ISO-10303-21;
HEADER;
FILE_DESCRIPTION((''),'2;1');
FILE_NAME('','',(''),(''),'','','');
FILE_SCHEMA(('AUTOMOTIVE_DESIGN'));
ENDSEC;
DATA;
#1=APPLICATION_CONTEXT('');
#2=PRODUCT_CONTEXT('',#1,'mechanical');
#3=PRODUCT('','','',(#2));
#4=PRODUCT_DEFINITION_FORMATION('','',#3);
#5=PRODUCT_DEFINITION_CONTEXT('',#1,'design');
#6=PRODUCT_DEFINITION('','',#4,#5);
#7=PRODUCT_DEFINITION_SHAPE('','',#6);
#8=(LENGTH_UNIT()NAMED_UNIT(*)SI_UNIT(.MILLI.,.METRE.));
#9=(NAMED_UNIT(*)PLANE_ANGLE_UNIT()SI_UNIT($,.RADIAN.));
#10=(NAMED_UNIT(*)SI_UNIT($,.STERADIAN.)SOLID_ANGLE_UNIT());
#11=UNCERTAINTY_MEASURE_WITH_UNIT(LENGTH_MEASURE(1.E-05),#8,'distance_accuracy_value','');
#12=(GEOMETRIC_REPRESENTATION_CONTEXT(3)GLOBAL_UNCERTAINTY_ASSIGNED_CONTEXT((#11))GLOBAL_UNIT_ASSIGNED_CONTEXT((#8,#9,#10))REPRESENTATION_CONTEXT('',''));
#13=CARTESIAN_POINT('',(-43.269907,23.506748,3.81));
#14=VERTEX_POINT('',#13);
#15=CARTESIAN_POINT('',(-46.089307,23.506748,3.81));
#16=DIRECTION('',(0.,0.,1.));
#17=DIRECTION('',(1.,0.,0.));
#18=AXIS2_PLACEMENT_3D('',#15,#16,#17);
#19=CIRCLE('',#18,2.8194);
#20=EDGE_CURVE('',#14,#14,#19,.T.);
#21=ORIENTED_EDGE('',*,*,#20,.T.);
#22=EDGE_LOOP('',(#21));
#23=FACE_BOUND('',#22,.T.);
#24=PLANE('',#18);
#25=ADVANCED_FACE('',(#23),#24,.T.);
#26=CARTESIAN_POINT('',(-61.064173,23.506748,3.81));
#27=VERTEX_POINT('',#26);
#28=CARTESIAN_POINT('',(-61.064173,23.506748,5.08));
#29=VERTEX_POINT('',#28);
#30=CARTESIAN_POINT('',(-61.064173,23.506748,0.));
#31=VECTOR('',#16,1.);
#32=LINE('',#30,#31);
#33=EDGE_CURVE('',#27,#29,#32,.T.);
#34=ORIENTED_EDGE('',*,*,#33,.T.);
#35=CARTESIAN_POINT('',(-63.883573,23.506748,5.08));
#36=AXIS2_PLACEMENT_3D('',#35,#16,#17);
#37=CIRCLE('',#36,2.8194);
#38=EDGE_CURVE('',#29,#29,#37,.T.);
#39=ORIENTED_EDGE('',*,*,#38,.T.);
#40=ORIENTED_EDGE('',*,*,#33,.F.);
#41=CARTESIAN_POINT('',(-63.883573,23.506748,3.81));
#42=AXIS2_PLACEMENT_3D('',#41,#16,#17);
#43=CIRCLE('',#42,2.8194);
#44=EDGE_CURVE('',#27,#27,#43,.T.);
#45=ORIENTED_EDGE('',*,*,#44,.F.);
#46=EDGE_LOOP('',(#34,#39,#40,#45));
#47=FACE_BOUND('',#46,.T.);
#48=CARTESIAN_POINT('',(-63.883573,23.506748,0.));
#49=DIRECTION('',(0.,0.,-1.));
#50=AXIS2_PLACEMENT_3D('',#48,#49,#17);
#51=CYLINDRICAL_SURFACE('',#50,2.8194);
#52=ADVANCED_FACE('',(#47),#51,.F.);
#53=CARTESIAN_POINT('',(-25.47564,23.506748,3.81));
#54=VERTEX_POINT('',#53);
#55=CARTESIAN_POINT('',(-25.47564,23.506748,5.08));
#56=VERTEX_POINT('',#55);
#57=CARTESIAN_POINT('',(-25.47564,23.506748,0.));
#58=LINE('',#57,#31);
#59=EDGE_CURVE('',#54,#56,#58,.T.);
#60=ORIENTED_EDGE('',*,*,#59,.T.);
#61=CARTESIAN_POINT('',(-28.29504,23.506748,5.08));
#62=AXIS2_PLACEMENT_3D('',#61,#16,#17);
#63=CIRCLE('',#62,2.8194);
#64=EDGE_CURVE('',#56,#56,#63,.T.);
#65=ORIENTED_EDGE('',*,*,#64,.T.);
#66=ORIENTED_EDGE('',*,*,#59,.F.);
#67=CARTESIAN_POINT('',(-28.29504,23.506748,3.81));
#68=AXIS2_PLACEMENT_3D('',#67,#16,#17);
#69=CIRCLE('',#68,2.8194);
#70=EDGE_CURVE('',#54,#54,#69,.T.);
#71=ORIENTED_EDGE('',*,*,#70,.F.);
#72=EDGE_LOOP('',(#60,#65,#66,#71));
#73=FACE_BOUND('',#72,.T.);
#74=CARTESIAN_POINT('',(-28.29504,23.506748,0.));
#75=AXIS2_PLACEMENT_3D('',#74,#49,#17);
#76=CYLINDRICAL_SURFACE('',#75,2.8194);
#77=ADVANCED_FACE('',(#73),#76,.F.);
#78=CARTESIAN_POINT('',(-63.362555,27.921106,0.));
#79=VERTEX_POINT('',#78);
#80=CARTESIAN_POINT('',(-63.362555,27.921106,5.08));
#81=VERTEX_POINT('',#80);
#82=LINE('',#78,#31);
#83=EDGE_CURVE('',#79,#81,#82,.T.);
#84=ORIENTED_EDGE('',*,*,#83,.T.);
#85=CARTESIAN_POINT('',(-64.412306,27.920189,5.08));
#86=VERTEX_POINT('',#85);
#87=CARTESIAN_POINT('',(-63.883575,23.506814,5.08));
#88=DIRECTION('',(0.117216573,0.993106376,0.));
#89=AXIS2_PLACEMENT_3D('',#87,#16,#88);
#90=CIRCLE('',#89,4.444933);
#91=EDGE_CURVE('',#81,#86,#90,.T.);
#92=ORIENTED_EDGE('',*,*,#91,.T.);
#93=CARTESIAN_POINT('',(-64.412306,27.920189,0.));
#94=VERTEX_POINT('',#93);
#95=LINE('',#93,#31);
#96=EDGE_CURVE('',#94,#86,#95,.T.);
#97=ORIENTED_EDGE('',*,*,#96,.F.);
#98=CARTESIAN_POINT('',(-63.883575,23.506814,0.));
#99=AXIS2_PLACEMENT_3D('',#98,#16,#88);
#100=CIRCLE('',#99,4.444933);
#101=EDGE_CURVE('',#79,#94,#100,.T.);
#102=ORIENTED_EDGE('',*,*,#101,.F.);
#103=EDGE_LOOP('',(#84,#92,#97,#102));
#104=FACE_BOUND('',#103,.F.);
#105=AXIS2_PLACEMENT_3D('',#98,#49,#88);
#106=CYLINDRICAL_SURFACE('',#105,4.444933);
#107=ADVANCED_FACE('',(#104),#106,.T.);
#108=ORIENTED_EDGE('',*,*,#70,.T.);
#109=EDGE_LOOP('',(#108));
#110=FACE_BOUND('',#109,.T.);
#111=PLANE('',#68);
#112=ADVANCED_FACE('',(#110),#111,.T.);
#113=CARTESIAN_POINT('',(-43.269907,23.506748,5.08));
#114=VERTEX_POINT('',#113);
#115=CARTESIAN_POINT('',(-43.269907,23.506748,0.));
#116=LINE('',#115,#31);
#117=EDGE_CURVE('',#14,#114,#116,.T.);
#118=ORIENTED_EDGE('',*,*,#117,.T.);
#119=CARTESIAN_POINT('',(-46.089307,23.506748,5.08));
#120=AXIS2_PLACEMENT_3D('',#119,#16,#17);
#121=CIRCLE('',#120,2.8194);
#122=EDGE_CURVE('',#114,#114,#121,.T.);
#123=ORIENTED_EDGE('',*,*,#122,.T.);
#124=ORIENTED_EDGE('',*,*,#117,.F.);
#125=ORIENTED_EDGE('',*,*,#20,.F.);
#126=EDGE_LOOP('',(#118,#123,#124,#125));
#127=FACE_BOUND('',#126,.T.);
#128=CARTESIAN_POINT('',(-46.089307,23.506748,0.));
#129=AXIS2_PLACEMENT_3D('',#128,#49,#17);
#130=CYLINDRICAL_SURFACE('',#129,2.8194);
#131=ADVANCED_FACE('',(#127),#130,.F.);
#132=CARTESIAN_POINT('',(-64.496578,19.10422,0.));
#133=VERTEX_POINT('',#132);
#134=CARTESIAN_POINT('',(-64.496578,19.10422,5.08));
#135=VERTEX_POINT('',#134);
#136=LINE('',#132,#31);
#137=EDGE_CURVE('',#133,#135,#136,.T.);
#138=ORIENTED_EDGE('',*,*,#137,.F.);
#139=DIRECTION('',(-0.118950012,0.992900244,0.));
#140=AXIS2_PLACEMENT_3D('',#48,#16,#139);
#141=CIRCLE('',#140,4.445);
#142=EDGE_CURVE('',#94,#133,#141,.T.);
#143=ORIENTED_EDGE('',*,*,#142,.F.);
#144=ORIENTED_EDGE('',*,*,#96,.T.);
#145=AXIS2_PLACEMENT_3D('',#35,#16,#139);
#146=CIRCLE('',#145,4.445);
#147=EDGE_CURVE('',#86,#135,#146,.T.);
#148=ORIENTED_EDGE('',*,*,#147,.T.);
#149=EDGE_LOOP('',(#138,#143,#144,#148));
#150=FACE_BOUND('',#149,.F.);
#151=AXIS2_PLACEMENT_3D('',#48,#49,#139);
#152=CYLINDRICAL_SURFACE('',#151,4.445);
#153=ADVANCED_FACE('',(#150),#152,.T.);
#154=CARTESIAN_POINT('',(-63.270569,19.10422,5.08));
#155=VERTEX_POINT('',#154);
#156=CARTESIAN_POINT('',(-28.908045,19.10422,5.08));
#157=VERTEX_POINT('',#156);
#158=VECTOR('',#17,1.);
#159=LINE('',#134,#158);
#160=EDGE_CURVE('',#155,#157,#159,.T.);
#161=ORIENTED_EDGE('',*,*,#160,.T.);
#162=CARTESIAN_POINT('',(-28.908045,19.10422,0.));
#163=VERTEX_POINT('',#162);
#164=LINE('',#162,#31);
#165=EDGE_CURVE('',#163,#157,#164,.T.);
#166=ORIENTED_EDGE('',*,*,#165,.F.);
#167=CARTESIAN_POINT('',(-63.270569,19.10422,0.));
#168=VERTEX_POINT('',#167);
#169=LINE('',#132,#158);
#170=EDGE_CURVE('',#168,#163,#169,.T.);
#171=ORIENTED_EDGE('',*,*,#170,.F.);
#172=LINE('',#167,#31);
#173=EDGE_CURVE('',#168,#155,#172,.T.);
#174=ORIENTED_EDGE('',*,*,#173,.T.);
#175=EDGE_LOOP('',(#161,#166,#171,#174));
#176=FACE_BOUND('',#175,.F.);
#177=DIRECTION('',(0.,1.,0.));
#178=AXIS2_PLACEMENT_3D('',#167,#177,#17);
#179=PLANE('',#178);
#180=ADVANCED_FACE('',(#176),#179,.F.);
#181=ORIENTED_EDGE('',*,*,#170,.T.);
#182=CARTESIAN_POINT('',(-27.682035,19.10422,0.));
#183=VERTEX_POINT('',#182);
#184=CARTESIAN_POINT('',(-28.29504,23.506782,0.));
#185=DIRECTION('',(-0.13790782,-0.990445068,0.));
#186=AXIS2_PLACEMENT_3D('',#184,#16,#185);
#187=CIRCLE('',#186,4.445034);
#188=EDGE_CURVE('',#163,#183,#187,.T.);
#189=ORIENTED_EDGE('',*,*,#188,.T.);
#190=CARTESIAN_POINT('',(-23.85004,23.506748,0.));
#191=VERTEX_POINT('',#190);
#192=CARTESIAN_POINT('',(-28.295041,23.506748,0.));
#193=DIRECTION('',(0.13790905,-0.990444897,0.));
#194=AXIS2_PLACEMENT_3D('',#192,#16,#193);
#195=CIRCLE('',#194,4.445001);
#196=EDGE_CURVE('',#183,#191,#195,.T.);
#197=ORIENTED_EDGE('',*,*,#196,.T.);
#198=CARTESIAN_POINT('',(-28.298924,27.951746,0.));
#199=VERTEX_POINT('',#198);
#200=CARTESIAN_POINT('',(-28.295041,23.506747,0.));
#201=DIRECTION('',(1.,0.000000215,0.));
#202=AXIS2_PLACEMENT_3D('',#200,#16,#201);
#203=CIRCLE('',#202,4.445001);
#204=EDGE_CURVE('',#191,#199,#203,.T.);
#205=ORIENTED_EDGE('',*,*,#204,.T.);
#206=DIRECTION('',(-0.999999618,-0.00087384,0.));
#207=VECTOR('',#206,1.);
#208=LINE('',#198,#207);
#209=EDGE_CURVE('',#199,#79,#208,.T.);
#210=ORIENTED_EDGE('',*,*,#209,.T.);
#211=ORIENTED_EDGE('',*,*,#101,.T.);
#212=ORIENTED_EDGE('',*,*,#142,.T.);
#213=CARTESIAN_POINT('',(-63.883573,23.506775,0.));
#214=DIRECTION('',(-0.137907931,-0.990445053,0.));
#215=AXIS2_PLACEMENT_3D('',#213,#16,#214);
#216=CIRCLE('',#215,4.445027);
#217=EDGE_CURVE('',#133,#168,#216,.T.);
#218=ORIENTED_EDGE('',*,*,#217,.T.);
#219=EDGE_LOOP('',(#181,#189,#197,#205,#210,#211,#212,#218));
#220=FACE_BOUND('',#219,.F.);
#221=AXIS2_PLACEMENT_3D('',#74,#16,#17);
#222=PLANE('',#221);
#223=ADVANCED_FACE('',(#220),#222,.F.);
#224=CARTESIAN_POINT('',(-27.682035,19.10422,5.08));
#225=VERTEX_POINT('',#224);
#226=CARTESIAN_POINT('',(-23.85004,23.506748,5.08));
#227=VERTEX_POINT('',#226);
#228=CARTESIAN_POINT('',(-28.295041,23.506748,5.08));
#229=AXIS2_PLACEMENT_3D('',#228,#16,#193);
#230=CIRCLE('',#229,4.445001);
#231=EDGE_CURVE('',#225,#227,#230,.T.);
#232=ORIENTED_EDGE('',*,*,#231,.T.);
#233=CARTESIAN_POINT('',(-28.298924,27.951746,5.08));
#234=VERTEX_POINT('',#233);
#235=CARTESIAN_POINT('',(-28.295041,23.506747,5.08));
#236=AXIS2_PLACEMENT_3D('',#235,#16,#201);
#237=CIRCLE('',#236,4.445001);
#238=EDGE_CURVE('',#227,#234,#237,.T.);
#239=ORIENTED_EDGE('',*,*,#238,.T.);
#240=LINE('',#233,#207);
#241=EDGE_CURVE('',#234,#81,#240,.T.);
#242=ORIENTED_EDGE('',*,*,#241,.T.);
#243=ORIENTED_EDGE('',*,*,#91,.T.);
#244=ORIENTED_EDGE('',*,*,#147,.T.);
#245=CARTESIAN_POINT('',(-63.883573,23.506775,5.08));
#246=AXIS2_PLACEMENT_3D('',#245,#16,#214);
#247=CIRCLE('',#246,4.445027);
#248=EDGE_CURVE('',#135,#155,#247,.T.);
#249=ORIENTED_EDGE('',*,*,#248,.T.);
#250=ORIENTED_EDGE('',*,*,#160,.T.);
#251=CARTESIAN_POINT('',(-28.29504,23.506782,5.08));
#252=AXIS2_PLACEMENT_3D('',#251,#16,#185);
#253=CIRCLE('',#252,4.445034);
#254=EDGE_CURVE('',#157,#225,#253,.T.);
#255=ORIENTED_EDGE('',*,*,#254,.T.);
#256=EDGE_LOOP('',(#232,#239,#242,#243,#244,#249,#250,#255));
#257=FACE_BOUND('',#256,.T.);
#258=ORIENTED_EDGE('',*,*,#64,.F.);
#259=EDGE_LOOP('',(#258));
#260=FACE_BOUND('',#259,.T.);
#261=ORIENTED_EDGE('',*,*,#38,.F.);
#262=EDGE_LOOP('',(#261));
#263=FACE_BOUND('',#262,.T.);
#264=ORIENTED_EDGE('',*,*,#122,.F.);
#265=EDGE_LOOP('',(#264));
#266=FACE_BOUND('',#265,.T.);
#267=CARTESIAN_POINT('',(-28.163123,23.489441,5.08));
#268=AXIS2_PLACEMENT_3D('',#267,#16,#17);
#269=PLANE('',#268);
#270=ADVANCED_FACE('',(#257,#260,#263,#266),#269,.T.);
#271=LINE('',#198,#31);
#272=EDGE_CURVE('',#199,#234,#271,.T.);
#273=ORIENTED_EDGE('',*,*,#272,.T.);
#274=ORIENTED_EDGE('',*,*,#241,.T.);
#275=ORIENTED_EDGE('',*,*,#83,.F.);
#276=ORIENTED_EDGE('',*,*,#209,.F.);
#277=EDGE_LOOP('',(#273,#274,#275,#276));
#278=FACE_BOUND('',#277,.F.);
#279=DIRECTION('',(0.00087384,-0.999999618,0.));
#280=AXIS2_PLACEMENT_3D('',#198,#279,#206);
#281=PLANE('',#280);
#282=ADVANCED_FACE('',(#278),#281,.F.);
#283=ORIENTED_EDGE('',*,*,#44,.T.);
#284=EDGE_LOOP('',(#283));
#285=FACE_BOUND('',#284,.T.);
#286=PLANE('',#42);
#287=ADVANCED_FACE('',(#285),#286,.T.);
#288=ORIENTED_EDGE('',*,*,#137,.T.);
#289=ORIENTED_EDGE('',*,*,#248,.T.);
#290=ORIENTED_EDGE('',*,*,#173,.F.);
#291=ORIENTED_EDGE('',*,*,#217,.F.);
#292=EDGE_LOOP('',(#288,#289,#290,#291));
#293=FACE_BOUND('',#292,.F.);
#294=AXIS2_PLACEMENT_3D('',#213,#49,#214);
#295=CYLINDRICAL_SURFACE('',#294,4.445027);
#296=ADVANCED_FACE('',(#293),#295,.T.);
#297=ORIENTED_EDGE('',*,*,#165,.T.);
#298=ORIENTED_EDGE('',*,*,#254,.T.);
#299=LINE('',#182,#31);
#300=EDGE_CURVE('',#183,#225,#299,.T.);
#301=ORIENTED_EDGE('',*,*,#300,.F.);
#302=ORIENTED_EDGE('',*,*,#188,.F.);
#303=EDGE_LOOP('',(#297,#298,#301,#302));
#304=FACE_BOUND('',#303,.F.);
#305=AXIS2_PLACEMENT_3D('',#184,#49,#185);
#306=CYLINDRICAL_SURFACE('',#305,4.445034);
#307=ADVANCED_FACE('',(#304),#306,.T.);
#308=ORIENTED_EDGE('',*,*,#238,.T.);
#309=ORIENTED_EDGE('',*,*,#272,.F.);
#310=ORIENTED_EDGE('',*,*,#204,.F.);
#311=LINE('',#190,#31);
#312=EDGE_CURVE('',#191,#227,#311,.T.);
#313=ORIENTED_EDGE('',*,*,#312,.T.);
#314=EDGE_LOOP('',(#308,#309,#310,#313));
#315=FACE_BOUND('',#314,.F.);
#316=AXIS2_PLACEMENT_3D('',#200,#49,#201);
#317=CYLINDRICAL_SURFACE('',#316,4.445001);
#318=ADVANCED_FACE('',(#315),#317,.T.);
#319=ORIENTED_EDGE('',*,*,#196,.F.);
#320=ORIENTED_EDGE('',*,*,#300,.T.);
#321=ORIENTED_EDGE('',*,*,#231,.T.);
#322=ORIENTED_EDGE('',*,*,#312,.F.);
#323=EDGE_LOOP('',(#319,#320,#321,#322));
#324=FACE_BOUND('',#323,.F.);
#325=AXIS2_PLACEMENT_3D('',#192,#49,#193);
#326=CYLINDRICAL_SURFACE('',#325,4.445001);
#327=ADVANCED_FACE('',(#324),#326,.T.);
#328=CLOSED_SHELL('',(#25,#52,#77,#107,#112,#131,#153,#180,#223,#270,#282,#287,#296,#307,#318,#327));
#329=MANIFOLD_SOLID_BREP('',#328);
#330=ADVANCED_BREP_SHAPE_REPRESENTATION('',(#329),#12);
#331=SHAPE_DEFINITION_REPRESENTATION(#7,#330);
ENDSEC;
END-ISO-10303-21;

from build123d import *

# Parameters (mm, degrees)
F0_R     = 2.8194
F1_DEPTH = 5.08
F2_DEPTH = 3.81


with BuildPart() as f1:
    # F0 (on Top) → F1 (new body)
    with BuildSketch(Plane.XY):
        with BuildLine():
            ThreePointArc((-27.682035, 19.10422), (-24.942218, 20.588425), (-23.85004, 23.506748))
            ThreePointArc((-23.85004, 23.506748), (-25.153324, 26.65121), (-28.298924, 27.951746))
            ThreePointArc((-28.298924, 27.951746), (-32.729543, 23.812047), (-28.908045, 19.10422))
            Line((-28.908045, 19.10422), (-27.682035, 19.10422))
        make_face()
        with Locations((-28.29504, 23.506748)):
            Circle(F0_R, mode=Mode.SUBTRACT)
        with BuildLine():
            ThreePointArc((-28.908045, 19.10422), (-32.729543, 23.812047), (-28.298924, 27.951746))
            Line((-28.298924, 27.951746), (-63.362555, 27.921106))
            ThreePointArc((-63.362555, 27.921106), (-60.561379, 26.45989), (-59.438573, 23.506748))
            ThreePointArc((-59.438573, 23.506748), (-60.530751, 20.588425), (-63.270569, 19.10422))
            Line((-63.270569, 19.10422), (-28.908045, 19.10422))
        make_face()
        with Locations((-46.089307, 23.506748)):
            Circle(F0_R, mode=Mode.SUBTRACT)
        with BuildLine():
            ThreePointArc((-28.908045, 19.10422), (-28.29504, 19.061748), (-27.682035, 19.10422))
            Line((-27.682035, 19.10422), (-28.908045, 19.10422))
        make_face()
        with BuildLine():
            Line((-64.412306, 27.920189), (-63.362555, 27.921106))
            ThreePointArc((-63.362555, 27.921106), (-63.887458, 27.951746), (-64.412306, 27.920189))
        make_face()
        with BuildLine():
            ThreePointArc((-59.438573, 23.506748), (-60.561379, 26.45989), (-63.362555, 27.921106))
            Line((-63.362555, 27.921106), (-64.412306, 27.920189))
            ThreePointArc((-64.412306, 27.920189), (-68.32837, 23.549236), (-64.496578, 19.10422))
            Line((-64.496578, 19.10422), (-63.270569, 19.10422))
            ThreePointArc((-63.270569, 19.10422), (-60.530751, 20.588425), (-59.438573, 23.506748))
        make_face()
        with Locations((-63.883573, 23.506748)):
            Circle(F0_R, mode=Mode.SUBTRACT)
        with BuildLine():
            ThreePointArc((-64.496578, 19.10422), (-63.883573, 19.061748), (-63.270569, 19.10422))
            Line((-63.270569, 19.10422), (-64.496578, 19.10422))
        make_face()
    extrude(amount=F1_DEPTH)

    # F0 (on Top) → F2 (join)
    with BuildSketch(Plane.XY):
        with Locations((-28.29504, 23.506748)):
            Circle(F0_R)
        with Locations((-46.089307, 23.506748)):
            Circle(F0_R)
        with Locations((-63.883573, 23.506748)):
            Circle(F0_R)
    extrude(amount=F2_DEPTH)


solid = f1.part
